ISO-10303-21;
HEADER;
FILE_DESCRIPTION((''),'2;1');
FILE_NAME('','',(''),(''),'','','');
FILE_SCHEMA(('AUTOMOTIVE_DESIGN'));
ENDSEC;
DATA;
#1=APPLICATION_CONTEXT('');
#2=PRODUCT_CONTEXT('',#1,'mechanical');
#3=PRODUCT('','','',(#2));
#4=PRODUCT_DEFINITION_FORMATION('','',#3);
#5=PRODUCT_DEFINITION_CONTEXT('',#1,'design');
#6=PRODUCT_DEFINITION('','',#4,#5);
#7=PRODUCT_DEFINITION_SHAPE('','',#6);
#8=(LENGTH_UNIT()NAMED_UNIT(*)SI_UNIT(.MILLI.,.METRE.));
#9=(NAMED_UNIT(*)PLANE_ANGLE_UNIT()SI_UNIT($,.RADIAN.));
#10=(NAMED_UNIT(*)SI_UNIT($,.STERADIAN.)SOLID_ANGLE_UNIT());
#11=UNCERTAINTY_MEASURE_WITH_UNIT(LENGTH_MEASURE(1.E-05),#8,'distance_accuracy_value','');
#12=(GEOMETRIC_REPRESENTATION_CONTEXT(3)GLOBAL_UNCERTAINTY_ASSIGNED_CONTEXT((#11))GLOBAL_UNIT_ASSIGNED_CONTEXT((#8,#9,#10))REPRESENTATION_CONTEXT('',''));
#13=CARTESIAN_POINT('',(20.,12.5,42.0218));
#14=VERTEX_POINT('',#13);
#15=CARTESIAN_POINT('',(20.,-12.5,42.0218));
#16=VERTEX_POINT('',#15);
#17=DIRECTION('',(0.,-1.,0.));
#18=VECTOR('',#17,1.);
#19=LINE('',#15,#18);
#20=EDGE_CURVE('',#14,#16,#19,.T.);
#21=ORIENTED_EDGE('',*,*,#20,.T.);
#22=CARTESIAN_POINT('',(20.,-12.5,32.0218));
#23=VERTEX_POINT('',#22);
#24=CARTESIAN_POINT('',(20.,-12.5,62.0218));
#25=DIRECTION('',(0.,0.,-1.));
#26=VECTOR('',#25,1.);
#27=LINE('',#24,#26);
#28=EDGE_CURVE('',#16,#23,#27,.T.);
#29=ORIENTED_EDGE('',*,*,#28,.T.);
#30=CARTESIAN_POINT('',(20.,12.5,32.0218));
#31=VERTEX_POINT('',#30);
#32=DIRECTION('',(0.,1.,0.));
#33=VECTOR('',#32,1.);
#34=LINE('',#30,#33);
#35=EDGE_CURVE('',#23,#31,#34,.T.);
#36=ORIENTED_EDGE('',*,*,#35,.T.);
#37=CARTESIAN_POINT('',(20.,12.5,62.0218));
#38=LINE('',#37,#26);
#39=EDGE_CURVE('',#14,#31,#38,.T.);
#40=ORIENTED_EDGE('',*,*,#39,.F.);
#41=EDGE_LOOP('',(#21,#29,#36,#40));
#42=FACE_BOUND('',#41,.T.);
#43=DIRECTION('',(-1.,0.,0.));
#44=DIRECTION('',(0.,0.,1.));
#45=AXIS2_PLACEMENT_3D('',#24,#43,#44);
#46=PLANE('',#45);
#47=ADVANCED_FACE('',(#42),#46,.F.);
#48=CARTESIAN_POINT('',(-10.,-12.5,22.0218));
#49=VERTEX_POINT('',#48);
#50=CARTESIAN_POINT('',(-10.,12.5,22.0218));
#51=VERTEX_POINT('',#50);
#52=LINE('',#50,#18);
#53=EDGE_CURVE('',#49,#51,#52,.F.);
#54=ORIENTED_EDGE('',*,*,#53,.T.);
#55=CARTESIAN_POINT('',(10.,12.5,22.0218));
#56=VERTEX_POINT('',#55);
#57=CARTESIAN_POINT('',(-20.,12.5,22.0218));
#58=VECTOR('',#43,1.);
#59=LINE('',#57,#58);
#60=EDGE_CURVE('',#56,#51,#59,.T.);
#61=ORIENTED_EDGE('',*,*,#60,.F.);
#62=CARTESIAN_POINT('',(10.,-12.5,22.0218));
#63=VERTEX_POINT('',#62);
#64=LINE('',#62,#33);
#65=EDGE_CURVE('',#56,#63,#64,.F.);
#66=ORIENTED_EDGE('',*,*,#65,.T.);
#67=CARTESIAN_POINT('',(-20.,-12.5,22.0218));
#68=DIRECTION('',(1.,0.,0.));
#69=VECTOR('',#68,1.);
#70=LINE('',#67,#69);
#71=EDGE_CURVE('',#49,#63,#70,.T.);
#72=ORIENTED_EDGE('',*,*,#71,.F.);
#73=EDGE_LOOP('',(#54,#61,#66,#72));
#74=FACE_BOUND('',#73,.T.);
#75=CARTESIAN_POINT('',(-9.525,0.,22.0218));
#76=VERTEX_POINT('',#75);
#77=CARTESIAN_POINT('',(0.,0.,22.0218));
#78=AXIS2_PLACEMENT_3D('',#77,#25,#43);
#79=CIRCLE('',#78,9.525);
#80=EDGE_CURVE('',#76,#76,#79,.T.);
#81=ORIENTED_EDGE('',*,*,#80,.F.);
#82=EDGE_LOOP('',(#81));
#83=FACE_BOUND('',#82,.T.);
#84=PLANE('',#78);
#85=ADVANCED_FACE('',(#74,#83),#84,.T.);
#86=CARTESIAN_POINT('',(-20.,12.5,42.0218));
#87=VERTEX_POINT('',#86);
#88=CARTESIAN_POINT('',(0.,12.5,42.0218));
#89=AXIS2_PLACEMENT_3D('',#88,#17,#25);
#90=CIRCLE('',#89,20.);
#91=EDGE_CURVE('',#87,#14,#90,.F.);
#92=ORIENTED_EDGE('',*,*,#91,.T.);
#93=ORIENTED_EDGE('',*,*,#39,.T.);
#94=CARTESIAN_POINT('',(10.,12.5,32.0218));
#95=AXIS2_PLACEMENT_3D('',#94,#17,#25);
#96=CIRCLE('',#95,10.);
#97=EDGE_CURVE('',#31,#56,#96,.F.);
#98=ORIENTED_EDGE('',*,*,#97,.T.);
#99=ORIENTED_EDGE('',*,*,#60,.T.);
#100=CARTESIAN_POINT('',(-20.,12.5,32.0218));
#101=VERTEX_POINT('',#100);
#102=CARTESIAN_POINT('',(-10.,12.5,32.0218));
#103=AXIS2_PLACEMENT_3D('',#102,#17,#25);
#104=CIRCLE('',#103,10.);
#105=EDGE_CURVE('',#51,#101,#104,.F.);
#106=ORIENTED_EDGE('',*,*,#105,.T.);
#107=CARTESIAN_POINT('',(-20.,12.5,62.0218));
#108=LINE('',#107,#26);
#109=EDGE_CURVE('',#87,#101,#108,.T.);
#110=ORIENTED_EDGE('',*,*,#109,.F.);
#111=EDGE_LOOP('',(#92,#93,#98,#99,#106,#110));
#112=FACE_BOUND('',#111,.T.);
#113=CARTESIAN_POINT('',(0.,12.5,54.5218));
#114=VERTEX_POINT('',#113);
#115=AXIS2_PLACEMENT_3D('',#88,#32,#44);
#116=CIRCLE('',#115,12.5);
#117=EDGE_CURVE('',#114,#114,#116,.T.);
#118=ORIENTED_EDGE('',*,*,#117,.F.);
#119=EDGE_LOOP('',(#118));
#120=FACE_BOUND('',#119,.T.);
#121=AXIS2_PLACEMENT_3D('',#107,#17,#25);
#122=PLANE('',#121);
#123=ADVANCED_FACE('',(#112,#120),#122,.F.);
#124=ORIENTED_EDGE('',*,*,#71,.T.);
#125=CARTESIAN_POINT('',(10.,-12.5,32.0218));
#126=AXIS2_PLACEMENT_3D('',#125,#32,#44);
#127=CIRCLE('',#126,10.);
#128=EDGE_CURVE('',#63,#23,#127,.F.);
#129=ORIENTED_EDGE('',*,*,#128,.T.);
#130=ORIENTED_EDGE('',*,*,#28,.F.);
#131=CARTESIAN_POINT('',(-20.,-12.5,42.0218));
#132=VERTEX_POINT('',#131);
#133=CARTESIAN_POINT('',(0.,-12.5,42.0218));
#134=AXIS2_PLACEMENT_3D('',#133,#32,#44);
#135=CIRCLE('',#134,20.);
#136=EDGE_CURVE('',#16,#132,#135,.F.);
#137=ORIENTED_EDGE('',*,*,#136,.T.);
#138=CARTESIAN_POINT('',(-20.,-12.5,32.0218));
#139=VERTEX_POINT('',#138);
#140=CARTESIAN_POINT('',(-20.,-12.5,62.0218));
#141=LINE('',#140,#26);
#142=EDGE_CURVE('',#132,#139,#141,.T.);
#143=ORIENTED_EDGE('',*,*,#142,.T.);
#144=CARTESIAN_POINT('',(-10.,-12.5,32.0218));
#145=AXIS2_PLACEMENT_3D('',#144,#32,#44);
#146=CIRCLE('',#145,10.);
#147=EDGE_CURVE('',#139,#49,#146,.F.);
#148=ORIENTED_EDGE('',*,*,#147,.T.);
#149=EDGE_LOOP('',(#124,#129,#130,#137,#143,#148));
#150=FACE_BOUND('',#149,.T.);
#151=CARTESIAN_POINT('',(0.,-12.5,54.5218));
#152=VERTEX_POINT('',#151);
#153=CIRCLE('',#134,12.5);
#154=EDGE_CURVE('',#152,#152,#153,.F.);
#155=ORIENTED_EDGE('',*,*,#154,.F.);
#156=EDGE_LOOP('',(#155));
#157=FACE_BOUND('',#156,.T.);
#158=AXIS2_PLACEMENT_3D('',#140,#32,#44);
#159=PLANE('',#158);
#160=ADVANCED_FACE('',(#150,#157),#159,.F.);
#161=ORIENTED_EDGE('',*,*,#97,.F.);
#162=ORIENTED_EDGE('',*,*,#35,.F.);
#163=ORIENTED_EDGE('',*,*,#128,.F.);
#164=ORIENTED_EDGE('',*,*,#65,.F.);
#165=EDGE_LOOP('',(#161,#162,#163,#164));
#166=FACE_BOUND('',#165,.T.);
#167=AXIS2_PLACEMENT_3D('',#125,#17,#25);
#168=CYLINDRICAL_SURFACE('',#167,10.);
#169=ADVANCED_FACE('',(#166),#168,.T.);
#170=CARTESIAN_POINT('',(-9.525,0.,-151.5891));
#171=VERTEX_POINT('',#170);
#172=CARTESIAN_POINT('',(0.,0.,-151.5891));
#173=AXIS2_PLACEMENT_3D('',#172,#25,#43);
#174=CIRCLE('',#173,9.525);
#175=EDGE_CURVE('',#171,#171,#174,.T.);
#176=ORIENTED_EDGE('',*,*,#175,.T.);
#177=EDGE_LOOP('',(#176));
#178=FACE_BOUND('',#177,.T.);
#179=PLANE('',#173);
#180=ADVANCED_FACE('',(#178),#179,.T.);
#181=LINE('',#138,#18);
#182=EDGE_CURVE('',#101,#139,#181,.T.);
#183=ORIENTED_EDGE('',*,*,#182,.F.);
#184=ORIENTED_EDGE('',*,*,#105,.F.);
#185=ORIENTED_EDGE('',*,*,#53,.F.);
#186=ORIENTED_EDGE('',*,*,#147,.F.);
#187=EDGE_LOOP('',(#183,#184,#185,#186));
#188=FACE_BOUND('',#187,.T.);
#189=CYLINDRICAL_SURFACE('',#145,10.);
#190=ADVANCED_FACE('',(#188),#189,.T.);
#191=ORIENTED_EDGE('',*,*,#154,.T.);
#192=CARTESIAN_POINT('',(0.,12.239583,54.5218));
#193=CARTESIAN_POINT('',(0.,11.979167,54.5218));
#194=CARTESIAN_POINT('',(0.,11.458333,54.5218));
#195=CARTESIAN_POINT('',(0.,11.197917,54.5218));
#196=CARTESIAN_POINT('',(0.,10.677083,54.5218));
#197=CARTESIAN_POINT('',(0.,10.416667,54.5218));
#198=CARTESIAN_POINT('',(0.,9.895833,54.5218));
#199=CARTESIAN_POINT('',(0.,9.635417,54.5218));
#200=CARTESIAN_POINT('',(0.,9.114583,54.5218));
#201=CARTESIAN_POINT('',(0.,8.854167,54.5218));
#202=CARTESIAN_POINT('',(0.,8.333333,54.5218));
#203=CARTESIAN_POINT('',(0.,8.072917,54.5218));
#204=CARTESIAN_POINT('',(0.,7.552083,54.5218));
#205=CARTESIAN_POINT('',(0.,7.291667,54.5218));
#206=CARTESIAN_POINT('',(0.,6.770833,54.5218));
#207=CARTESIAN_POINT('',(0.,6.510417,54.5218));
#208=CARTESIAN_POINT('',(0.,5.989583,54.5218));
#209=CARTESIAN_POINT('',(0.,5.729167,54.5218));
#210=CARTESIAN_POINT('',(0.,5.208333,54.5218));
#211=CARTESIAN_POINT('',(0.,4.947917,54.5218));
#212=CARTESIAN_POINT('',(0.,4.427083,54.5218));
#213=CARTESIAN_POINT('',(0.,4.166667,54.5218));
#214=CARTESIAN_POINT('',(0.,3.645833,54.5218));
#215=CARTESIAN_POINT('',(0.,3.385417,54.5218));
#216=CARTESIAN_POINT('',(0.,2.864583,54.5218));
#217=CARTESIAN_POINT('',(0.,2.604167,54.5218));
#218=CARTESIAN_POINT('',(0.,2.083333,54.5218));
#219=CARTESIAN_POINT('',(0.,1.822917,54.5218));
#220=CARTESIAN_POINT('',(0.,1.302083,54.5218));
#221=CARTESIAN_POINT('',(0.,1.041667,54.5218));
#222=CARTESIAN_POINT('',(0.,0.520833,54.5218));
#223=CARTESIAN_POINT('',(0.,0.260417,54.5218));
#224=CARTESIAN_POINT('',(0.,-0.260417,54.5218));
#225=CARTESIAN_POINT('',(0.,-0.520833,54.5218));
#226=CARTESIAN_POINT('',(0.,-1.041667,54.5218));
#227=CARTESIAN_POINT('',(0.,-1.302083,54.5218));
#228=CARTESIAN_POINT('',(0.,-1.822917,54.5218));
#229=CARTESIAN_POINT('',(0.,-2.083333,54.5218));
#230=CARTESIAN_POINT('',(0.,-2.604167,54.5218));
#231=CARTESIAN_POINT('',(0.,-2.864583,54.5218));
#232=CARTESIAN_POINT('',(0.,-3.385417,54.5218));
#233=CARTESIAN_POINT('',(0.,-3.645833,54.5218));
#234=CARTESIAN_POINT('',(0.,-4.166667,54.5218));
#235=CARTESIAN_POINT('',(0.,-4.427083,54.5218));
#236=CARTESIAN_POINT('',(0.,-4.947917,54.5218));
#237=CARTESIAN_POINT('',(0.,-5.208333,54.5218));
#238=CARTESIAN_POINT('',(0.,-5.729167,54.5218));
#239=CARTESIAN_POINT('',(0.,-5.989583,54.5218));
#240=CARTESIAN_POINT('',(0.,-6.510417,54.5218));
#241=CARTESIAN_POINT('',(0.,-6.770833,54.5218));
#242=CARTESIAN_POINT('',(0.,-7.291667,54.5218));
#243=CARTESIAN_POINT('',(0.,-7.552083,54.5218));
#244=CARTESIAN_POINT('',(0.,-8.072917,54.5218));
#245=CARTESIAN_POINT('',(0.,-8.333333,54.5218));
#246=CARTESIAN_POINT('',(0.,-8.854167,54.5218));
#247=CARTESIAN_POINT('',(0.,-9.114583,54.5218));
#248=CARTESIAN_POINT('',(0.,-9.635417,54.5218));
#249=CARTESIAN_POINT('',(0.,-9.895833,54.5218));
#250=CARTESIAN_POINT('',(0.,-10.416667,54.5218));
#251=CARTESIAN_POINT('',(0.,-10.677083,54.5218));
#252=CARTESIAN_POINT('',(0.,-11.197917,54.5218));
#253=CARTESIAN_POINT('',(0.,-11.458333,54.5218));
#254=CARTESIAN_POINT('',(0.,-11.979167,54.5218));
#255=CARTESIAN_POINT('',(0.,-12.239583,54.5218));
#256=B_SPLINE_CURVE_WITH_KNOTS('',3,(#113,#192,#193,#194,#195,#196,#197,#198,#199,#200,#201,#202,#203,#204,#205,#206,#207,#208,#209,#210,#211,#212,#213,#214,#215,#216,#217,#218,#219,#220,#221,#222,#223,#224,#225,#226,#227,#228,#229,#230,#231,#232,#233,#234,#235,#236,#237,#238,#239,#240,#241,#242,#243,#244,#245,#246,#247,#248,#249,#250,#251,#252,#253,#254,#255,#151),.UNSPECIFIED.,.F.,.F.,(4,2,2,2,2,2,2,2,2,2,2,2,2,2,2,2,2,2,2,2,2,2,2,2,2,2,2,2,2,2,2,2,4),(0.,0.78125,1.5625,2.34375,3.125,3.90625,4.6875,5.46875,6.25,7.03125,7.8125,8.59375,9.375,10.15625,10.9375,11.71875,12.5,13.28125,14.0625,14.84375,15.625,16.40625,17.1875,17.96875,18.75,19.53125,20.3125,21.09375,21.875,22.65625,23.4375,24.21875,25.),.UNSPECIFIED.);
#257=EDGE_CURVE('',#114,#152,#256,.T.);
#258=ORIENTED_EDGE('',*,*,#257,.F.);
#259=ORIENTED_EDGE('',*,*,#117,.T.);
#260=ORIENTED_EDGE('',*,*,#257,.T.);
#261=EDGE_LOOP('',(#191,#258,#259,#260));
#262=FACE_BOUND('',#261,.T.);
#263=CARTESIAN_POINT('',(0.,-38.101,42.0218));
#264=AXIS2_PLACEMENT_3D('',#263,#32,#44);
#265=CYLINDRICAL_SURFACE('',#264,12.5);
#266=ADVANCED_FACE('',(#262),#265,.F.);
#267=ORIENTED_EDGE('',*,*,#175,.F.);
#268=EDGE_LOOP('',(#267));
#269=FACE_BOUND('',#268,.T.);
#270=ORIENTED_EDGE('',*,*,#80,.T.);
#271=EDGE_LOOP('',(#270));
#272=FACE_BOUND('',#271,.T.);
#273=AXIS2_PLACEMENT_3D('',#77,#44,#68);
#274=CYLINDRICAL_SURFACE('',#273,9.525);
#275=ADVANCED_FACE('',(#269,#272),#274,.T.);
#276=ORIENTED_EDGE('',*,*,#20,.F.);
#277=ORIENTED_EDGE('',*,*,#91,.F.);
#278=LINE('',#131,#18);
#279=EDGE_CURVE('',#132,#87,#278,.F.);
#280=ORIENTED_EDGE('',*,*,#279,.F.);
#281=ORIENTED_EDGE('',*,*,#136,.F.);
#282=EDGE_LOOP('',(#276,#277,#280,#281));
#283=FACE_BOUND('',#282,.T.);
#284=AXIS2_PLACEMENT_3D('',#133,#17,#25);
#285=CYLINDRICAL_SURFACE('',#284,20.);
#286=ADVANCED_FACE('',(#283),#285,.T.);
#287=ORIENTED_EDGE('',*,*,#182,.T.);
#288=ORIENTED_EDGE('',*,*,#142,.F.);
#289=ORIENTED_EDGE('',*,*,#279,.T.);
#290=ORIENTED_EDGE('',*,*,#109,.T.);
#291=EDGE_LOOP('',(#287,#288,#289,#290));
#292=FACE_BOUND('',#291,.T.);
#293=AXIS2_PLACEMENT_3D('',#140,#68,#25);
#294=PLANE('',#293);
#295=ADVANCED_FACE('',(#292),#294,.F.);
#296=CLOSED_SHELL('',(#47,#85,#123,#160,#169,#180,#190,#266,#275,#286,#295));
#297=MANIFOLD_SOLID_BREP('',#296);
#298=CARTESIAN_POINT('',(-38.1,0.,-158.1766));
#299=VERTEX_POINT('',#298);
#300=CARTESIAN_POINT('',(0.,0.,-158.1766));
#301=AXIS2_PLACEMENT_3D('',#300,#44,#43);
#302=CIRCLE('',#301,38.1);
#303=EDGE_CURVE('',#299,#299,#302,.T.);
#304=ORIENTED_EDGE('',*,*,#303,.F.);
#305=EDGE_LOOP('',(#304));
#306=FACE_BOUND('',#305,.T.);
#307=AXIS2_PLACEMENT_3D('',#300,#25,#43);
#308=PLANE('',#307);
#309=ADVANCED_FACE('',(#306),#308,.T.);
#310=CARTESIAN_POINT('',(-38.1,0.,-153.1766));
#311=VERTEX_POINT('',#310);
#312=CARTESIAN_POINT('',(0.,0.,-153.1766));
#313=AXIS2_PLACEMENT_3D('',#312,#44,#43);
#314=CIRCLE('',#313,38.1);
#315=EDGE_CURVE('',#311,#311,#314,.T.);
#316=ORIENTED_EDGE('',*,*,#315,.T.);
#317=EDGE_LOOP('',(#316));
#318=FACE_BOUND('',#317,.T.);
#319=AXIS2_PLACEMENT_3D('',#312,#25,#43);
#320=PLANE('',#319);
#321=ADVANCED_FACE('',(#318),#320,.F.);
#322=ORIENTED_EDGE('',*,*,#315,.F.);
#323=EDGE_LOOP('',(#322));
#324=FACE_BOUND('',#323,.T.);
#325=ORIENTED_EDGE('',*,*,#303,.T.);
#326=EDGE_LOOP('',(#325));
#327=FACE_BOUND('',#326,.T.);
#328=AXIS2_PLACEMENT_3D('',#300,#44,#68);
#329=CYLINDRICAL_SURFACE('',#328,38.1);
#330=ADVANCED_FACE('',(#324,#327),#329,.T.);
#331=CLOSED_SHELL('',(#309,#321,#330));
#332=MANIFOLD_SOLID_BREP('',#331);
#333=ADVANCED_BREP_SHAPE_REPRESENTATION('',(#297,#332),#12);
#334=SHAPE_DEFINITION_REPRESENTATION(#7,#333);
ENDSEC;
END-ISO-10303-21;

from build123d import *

# Parameters (mm, degrees)
DODANIE_WYCI_GNI_CIE2_DEPTH = 12.7
SZKIC3_R                    = 9.525
DODANIE_WYCI_GNI_CIE3_DEPTH = 173.6109
SZKIC4_R                    = 38.1
DODANIE_WYCI_GNI_CIE4_DEPTH = 5
SZKIC5_W                    = 40
SZKIC5_H                    = 25
DODANIE_WYCI_GNI_CIE5_DEPTH = 40
ZAOKR_GLENIE1_RADIUS        = 20
ZAOKR_GLENIE1_LENGTH        = 25
ZAOKR_GLENIE2_R             = 10
SZKIC6_R                    = 12.5
WYTNIJ_WYCI_GNI_CIE1_DEPTH  = 25


with BuildPart() as part:
    # Szkic2 → Dodanie-wyciągnięcie2 (new body)
    with BuildSketch(Plane(origin=(0, 0, 34.7218), x_dir=(-1, 0, 0), z_dir=(0, 0, -1))):
        with BuildLine():
            Line((6.264010277, -7.1755), (-6.264010277, -7.1755))
            ThreePointArc((-6.264010277, -7.1755), (-9.525, 0), (-6.264010277, 7.1755))
            Line((-6.264010277, 7.1755), (6.264010277, 7.1755))
            ThreePointArc((6.264010277, 7.1755), (9.525, 0), (6.264010277, -7.1755))
        make_face()
    extrude(amount=DODANIE_WYCI_GNI_CIE2_DEPTH)

    # Szkic3 → Dodanie-wyciągnięcie3 (add)
    with BuildSketch(Plane(origin=(0, 0, 22.0218), x_dir=(-1, 0, 0), z_dir=(0, 0, -1))):
        with Locations(Location((0, 0, 0), (0, 0, 131.120047553))):
            Circle(SZKIC3_R)
    extrude(amount=DODANIE_WYCI_GNI_CIE3_DEPTH)

    # Szkic5 → Dodanie-wyciągnięcie5 (add)
    with BuildSketch(Plane.XY.offset(22.0218)):
        Rectangle(SZKIC5_W, SZKIC5_H)
    extrude(amount=DODANIE_WYCI_GNI_CIE5_DEPTH)

    # Zaokrąglenie1: full round fillet: the end face becomes a half cylinder, R = half its width
    zaokr_glenie1_face = Plane((0, 0, 62.0218), x_dir=(0, 1, 0), z_dir=(0, 0, 1))  # on the end face: x along it, z out of the body
    zaokr_glenie1_slab = zaokr_glenie1_face.offset(-ZAOKR_GLENIE1_RADIUS / 2) * Box(ZAOKR_GLENIE1_LENGTH, 2 * ZAOKR_GLENIE1_RADIUS, ZAOKR_GLENIE1_RADIUS, mode=Mode.PRIVATE)  # the body's end, R deep
    zaokr_glenie1_round = Plane((0, 0, 42.0218), x_dir=(0, 0, 1), z_dir=(0, 1, 0)) * Cylinder(ZAOKR_GLENIE1_RADIUS, ZAOKR_GLENIE1_LENGTH, mode=Mode.PRIVATE)  # its axis R under the face
    add(zaokr_glenie1_slab - zaokr_glenie1_round, mode=Mode.SUBTRACT)

    # Zaokrąglenie2
    zaokr_glenie2_edges = [part.edges().sort_by_distance(p)[0] for p in [
        (20, 0, 22.0218),
        (-20, 0, 22.0218),
    ]]
    fillet(zaokr_glenie2_edges, radius=ZAOKR_GLENIE2_R)

    # Szkic6 → Wytnij-wyciągnięcie1 (cut)
    with BuildSketch(Plane(origin=(0, 12.5, 0), x_dir=(1, 0, 0), z_dir=(0, 1, 0))):
        with Locations(Location((0, -42.0218, 0), (0, 0, 270))):
            Circle(SZKIC6_R)
    extrude(amount=-WYTNIJ_WYCI_GNI_CIE1_DEPTH, mode=Mode.SUBTRACT)


with BuildPart() as body_2:
    # Szkic4 → Dodanie-wyciągnięcie4 (new body)
    with BuildSketch(Plane.XY.offset(-153.1766)):
        with Locations(Location((0, 0, 0), (0, 0, 180))):
            Circle(SZKIC4_R)
    extrude(amount=-DODANIE_WYCI_GNI_CIE4_DEPTH)


solid = Compound([part.part, body_2.part])
